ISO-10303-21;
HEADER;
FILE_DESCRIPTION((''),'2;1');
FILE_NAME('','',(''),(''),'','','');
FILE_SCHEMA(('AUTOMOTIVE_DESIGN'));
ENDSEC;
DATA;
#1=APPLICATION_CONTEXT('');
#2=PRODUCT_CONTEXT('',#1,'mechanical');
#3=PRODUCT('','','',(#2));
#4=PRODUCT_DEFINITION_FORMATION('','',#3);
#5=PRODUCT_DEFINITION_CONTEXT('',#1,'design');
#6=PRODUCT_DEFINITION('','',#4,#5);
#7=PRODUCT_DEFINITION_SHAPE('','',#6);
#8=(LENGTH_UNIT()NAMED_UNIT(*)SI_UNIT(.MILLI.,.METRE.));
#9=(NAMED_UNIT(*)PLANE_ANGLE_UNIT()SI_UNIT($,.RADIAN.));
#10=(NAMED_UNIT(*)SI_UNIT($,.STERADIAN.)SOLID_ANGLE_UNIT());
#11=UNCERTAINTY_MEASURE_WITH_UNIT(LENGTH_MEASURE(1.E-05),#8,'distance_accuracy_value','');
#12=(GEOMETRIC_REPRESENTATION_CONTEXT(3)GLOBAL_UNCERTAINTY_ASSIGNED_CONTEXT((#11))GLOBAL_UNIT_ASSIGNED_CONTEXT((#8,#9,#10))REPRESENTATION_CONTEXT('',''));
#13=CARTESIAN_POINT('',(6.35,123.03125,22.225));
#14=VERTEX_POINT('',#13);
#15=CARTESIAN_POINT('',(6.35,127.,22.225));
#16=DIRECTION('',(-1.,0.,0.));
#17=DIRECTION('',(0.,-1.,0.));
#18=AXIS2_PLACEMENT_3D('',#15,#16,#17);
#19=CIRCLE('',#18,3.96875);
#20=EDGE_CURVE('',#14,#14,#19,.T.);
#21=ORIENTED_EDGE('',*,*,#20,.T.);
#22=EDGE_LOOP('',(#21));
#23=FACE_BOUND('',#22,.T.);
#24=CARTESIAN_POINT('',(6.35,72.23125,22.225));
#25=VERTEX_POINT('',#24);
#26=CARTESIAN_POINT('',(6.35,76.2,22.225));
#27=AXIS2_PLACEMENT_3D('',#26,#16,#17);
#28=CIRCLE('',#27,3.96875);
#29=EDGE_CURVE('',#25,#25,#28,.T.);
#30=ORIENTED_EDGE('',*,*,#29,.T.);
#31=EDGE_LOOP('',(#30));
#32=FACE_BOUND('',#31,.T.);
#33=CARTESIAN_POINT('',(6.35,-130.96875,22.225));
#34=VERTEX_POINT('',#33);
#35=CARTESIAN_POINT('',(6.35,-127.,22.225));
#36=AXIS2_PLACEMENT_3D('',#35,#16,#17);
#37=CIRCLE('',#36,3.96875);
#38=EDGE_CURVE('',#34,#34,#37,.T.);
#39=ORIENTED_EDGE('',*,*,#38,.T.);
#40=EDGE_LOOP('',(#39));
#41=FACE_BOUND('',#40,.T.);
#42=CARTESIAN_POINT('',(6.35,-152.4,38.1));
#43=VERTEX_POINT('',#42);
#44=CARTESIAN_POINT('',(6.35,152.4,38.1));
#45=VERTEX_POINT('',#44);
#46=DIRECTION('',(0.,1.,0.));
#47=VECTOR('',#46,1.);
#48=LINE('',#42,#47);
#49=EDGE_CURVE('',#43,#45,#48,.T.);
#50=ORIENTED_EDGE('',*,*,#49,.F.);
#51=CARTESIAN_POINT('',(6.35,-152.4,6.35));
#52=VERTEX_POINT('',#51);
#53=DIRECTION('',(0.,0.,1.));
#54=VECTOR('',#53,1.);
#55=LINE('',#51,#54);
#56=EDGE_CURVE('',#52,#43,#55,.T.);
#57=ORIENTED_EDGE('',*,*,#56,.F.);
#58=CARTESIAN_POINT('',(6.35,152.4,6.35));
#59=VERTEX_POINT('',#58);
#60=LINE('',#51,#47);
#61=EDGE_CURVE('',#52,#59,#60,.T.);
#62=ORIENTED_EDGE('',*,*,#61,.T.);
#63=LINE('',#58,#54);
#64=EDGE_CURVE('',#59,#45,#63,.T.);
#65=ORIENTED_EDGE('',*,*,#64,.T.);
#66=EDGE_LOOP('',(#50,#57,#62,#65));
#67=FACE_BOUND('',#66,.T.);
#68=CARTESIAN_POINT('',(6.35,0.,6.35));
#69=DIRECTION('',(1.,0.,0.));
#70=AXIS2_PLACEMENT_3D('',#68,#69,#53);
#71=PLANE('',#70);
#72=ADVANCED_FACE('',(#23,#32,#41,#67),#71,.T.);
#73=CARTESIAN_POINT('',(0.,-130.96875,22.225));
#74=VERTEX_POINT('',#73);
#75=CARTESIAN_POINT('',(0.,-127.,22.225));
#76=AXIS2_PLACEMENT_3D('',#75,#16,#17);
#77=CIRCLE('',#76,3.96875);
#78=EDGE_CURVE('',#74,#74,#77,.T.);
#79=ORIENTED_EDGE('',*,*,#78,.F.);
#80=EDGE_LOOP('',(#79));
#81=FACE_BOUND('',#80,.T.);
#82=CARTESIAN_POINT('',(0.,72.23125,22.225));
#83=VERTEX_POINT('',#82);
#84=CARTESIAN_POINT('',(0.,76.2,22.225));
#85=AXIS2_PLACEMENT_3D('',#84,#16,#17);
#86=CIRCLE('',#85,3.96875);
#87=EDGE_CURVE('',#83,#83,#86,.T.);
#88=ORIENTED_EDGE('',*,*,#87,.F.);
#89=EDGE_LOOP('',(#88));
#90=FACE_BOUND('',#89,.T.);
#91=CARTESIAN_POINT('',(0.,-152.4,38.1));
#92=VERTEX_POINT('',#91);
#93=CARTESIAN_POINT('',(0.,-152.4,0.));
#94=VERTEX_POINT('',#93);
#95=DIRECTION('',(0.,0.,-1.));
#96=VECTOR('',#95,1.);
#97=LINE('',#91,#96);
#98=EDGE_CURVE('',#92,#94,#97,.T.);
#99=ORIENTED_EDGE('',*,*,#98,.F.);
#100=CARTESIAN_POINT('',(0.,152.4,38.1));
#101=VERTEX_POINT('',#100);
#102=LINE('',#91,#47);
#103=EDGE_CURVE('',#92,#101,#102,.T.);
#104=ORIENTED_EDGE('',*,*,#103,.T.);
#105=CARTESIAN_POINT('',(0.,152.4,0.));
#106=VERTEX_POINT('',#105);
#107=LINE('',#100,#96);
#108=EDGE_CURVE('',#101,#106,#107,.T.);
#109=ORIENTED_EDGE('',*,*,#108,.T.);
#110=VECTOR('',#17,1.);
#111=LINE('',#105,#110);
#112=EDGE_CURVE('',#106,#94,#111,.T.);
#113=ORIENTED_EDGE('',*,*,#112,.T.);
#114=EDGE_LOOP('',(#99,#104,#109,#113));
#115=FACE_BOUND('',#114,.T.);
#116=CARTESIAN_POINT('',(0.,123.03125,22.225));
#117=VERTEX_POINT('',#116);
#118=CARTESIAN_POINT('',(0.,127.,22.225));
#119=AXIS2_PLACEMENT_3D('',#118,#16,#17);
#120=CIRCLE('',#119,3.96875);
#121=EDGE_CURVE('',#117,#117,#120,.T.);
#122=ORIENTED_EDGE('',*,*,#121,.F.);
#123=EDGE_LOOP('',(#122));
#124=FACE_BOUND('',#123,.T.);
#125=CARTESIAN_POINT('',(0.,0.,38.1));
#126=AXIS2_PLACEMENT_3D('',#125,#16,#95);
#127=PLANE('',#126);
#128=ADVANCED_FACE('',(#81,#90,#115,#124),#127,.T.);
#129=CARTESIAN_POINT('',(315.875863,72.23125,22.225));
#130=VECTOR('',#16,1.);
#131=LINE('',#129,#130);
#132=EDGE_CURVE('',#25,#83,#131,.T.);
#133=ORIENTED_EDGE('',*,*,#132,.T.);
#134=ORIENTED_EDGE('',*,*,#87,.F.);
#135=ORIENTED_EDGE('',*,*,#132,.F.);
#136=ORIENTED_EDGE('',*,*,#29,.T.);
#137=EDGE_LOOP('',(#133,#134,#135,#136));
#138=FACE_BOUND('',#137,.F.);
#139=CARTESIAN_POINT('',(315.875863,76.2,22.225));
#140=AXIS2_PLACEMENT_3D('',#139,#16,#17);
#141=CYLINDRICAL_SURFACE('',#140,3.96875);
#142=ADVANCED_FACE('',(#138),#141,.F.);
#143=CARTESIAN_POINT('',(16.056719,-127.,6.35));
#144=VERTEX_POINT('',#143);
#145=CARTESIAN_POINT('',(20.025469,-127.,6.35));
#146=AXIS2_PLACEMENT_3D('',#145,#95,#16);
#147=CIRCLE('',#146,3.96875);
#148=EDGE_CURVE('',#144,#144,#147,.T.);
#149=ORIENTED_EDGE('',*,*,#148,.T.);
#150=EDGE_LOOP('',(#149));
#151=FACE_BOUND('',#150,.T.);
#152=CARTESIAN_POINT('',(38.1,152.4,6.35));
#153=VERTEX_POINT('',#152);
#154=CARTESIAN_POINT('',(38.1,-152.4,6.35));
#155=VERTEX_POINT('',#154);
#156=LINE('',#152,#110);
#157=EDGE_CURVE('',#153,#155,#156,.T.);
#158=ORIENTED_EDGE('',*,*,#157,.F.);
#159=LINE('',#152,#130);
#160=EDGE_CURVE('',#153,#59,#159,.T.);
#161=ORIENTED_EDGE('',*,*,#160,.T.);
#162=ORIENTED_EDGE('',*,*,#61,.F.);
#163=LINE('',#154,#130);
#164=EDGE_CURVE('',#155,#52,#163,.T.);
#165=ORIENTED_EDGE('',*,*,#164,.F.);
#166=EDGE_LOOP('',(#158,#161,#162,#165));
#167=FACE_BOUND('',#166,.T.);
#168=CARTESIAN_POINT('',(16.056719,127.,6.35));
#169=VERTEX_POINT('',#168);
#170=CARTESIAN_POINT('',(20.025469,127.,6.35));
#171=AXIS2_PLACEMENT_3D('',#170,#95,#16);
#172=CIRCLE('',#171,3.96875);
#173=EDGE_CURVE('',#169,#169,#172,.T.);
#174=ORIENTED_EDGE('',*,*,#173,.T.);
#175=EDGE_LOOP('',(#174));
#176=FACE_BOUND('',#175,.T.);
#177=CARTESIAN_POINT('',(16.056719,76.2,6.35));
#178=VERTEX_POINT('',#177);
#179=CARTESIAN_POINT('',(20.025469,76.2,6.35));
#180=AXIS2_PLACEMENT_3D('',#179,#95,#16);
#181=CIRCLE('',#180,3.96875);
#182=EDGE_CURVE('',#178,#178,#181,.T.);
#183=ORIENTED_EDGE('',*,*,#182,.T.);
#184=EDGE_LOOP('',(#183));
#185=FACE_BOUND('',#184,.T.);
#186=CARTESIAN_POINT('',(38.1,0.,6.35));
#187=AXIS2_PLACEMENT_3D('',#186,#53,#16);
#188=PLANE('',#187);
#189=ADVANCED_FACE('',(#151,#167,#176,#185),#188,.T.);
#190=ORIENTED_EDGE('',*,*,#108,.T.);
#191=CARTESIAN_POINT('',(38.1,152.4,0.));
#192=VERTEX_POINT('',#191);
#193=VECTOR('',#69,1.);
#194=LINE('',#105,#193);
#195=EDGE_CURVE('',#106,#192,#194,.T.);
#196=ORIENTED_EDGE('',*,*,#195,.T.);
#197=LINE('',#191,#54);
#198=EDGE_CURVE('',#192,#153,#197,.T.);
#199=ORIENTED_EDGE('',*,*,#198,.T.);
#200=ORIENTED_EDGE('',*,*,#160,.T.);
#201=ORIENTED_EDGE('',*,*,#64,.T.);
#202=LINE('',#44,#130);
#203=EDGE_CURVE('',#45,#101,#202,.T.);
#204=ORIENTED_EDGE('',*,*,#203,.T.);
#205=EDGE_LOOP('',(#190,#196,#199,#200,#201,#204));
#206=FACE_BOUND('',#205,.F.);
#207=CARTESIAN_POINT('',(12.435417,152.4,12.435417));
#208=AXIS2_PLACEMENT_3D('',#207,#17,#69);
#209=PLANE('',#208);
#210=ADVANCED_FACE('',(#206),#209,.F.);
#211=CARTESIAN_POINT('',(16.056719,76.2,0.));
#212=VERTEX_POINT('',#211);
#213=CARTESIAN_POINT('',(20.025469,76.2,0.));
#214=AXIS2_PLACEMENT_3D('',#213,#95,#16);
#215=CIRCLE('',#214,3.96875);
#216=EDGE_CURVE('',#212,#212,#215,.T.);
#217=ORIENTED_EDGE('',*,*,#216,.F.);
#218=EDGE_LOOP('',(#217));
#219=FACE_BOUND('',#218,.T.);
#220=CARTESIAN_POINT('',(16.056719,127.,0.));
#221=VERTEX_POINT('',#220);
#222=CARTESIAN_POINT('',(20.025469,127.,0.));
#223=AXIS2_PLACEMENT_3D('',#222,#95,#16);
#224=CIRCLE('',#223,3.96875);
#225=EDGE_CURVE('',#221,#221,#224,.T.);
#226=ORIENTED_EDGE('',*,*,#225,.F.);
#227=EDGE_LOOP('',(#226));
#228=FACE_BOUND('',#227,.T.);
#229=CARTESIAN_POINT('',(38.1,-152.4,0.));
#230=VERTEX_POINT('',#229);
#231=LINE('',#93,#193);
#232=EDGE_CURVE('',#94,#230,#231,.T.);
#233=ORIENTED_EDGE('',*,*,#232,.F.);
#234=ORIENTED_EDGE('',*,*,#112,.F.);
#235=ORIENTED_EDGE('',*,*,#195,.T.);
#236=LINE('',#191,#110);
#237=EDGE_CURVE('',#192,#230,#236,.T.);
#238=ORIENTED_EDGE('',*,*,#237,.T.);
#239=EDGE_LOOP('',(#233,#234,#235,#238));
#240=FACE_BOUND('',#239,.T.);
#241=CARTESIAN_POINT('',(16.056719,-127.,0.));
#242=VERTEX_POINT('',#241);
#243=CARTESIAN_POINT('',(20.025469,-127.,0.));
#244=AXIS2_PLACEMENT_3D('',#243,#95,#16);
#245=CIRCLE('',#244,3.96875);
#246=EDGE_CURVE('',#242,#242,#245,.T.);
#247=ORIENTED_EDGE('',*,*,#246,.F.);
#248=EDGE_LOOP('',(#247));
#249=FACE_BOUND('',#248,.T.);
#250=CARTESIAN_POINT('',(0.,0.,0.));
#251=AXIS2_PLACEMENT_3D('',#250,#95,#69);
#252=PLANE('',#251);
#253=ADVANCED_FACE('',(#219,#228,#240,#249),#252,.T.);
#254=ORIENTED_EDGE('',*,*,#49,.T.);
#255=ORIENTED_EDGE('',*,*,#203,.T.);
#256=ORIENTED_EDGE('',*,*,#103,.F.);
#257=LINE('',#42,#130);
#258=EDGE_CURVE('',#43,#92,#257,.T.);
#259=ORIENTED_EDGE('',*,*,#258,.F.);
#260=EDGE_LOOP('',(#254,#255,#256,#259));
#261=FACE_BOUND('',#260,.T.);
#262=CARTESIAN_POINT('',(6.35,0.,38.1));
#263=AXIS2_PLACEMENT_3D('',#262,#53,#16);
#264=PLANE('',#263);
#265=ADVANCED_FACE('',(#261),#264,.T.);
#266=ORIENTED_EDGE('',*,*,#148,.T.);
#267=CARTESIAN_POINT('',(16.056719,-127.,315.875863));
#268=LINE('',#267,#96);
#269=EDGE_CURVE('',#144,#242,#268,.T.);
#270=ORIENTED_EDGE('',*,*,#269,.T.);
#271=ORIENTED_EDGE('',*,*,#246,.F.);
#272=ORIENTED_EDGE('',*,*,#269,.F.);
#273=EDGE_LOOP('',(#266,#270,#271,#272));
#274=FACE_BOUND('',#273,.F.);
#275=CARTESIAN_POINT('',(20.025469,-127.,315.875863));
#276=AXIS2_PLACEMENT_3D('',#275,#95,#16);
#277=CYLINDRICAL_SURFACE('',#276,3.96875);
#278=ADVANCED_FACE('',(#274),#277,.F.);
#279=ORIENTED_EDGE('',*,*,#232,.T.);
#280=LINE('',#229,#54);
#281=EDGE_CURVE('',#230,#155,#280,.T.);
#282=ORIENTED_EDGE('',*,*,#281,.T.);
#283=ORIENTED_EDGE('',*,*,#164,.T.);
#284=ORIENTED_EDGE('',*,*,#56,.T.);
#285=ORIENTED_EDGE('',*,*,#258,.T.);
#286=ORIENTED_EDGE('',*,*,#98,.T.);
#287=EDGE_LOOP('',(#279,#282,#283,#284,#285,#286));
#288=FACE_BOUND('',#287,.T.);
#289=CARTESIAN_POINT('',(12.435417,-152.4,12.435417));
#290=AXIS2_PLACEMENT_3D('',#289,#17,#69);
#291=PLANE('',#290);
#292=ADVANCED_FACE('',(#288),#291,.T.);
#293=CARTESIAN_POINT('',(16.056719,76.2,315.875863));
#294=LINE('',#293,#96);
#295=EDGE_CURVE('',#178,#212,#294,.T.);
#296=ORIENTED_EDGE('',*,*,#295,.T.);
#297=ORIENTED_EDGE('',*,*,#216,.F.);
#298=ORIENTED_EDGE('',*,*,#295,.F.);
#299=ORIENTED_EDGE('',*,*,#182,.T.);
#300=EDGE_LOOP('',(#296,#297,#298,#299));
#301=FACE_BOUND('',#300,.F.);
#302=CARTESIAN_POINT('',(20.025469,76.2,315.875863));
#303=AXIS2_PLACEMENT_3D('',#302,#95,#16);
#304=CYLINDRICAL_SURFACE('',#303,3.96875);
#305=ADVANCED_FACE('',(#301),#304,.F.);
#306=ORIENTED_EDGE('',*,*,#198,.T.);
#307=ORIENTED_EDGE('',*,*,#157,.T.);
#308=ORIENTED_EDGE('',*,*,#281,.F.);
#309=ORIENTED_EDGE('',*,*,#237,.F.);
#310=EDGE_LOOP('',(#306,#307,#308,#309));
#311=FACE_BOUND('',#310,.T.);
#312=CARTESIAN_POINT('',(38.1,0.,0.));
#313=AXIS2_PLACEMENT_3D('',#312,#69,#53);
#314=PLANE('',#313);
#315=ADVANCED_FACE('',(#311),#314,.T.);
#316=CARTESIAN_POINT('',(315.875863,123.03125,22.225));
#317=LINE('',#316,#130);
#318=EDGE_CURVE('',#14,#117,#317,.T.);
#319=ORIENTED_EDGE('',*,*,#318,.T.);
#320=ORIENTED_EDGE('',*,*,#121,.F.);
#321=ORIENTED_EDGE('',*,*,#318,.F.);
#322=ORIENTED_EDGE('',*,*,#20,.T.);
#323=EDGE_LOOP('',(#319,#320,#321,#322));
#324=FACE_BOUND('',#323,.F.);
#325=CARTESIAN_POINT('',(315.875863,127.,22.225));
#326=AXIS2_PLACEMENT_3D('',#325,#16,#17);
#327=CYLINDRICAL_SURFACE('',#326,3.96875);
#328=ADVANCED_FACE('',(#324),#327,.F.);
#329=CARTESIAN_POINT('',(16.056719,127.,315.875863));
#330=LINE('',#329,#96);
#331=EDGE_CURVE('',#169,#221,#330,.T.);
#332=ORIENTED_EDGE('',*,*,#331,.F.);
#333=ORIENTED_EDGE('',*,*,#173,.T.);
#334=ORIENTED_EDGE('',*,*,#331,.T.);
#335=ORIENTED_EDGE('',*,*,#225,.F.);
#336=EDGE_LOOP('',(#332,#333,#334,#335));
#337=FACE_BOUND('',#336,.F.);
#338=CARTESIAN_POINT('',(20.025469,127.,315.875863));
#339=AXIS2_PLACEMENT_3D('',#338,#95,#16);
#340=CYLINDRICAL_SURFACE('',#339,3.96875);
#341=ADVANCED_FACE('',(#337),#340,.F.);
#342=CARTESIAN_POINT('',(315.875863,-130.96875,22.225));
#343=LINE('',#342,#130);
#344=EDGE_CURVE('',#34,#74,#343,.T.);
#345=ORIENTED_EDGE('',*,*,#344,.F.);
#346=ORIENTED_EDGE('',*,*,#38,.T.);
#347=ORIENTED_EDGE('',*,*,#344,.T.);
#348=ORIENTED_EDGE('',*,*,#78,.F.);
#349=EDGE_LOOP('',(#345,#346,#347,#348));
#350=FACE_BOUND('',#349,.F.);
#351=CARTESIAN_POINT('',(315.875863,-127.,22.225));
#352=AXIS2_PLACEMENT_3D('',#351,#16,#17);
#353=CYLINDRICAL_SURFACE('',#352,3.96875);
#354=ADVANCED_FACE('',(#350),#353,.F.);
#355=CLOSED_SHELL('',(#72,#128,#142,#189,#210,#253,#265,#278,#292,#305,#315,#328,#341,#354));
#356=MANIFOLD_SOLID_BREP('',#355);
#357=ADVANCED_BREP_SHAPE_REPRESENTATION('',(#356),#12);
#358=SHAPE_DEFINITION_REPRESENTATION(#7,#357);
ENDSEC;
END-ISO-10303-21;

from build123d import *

# Parameters (mm, degrees)
F1_DEPTH = 152.4
F3_D     = 7.9375
F5_D     = 7.9375


with BuildPart() as f1:
    # F0 (on Front) → F1 (new body, symmetric)
    with BuildSketch(Plane.XZ):
        Polygon((0, 38.1), (0, 0), (38.1, 0), (38.1, 6.35), (6.35, 6.35), (6.35, 38.1), align=None)
    extrude(amount=F1_DEPTH, both=True)

    # F3 (through all)
    with Locations(Plane.XY.offset(6.35)):
        with Locations((20.025469, -127), (20.025469, 76.2), (20.025469, 127)):
            Hole(F3_D / 2)

    # F5 (through all)
    with Locations(Plane.YZ.offset(6.35)):
        with Locations((-127, 22.225), (76.2, 22.225), (127, 22.225)):
            Hole(F5_D / 2)


solid = f1.part
